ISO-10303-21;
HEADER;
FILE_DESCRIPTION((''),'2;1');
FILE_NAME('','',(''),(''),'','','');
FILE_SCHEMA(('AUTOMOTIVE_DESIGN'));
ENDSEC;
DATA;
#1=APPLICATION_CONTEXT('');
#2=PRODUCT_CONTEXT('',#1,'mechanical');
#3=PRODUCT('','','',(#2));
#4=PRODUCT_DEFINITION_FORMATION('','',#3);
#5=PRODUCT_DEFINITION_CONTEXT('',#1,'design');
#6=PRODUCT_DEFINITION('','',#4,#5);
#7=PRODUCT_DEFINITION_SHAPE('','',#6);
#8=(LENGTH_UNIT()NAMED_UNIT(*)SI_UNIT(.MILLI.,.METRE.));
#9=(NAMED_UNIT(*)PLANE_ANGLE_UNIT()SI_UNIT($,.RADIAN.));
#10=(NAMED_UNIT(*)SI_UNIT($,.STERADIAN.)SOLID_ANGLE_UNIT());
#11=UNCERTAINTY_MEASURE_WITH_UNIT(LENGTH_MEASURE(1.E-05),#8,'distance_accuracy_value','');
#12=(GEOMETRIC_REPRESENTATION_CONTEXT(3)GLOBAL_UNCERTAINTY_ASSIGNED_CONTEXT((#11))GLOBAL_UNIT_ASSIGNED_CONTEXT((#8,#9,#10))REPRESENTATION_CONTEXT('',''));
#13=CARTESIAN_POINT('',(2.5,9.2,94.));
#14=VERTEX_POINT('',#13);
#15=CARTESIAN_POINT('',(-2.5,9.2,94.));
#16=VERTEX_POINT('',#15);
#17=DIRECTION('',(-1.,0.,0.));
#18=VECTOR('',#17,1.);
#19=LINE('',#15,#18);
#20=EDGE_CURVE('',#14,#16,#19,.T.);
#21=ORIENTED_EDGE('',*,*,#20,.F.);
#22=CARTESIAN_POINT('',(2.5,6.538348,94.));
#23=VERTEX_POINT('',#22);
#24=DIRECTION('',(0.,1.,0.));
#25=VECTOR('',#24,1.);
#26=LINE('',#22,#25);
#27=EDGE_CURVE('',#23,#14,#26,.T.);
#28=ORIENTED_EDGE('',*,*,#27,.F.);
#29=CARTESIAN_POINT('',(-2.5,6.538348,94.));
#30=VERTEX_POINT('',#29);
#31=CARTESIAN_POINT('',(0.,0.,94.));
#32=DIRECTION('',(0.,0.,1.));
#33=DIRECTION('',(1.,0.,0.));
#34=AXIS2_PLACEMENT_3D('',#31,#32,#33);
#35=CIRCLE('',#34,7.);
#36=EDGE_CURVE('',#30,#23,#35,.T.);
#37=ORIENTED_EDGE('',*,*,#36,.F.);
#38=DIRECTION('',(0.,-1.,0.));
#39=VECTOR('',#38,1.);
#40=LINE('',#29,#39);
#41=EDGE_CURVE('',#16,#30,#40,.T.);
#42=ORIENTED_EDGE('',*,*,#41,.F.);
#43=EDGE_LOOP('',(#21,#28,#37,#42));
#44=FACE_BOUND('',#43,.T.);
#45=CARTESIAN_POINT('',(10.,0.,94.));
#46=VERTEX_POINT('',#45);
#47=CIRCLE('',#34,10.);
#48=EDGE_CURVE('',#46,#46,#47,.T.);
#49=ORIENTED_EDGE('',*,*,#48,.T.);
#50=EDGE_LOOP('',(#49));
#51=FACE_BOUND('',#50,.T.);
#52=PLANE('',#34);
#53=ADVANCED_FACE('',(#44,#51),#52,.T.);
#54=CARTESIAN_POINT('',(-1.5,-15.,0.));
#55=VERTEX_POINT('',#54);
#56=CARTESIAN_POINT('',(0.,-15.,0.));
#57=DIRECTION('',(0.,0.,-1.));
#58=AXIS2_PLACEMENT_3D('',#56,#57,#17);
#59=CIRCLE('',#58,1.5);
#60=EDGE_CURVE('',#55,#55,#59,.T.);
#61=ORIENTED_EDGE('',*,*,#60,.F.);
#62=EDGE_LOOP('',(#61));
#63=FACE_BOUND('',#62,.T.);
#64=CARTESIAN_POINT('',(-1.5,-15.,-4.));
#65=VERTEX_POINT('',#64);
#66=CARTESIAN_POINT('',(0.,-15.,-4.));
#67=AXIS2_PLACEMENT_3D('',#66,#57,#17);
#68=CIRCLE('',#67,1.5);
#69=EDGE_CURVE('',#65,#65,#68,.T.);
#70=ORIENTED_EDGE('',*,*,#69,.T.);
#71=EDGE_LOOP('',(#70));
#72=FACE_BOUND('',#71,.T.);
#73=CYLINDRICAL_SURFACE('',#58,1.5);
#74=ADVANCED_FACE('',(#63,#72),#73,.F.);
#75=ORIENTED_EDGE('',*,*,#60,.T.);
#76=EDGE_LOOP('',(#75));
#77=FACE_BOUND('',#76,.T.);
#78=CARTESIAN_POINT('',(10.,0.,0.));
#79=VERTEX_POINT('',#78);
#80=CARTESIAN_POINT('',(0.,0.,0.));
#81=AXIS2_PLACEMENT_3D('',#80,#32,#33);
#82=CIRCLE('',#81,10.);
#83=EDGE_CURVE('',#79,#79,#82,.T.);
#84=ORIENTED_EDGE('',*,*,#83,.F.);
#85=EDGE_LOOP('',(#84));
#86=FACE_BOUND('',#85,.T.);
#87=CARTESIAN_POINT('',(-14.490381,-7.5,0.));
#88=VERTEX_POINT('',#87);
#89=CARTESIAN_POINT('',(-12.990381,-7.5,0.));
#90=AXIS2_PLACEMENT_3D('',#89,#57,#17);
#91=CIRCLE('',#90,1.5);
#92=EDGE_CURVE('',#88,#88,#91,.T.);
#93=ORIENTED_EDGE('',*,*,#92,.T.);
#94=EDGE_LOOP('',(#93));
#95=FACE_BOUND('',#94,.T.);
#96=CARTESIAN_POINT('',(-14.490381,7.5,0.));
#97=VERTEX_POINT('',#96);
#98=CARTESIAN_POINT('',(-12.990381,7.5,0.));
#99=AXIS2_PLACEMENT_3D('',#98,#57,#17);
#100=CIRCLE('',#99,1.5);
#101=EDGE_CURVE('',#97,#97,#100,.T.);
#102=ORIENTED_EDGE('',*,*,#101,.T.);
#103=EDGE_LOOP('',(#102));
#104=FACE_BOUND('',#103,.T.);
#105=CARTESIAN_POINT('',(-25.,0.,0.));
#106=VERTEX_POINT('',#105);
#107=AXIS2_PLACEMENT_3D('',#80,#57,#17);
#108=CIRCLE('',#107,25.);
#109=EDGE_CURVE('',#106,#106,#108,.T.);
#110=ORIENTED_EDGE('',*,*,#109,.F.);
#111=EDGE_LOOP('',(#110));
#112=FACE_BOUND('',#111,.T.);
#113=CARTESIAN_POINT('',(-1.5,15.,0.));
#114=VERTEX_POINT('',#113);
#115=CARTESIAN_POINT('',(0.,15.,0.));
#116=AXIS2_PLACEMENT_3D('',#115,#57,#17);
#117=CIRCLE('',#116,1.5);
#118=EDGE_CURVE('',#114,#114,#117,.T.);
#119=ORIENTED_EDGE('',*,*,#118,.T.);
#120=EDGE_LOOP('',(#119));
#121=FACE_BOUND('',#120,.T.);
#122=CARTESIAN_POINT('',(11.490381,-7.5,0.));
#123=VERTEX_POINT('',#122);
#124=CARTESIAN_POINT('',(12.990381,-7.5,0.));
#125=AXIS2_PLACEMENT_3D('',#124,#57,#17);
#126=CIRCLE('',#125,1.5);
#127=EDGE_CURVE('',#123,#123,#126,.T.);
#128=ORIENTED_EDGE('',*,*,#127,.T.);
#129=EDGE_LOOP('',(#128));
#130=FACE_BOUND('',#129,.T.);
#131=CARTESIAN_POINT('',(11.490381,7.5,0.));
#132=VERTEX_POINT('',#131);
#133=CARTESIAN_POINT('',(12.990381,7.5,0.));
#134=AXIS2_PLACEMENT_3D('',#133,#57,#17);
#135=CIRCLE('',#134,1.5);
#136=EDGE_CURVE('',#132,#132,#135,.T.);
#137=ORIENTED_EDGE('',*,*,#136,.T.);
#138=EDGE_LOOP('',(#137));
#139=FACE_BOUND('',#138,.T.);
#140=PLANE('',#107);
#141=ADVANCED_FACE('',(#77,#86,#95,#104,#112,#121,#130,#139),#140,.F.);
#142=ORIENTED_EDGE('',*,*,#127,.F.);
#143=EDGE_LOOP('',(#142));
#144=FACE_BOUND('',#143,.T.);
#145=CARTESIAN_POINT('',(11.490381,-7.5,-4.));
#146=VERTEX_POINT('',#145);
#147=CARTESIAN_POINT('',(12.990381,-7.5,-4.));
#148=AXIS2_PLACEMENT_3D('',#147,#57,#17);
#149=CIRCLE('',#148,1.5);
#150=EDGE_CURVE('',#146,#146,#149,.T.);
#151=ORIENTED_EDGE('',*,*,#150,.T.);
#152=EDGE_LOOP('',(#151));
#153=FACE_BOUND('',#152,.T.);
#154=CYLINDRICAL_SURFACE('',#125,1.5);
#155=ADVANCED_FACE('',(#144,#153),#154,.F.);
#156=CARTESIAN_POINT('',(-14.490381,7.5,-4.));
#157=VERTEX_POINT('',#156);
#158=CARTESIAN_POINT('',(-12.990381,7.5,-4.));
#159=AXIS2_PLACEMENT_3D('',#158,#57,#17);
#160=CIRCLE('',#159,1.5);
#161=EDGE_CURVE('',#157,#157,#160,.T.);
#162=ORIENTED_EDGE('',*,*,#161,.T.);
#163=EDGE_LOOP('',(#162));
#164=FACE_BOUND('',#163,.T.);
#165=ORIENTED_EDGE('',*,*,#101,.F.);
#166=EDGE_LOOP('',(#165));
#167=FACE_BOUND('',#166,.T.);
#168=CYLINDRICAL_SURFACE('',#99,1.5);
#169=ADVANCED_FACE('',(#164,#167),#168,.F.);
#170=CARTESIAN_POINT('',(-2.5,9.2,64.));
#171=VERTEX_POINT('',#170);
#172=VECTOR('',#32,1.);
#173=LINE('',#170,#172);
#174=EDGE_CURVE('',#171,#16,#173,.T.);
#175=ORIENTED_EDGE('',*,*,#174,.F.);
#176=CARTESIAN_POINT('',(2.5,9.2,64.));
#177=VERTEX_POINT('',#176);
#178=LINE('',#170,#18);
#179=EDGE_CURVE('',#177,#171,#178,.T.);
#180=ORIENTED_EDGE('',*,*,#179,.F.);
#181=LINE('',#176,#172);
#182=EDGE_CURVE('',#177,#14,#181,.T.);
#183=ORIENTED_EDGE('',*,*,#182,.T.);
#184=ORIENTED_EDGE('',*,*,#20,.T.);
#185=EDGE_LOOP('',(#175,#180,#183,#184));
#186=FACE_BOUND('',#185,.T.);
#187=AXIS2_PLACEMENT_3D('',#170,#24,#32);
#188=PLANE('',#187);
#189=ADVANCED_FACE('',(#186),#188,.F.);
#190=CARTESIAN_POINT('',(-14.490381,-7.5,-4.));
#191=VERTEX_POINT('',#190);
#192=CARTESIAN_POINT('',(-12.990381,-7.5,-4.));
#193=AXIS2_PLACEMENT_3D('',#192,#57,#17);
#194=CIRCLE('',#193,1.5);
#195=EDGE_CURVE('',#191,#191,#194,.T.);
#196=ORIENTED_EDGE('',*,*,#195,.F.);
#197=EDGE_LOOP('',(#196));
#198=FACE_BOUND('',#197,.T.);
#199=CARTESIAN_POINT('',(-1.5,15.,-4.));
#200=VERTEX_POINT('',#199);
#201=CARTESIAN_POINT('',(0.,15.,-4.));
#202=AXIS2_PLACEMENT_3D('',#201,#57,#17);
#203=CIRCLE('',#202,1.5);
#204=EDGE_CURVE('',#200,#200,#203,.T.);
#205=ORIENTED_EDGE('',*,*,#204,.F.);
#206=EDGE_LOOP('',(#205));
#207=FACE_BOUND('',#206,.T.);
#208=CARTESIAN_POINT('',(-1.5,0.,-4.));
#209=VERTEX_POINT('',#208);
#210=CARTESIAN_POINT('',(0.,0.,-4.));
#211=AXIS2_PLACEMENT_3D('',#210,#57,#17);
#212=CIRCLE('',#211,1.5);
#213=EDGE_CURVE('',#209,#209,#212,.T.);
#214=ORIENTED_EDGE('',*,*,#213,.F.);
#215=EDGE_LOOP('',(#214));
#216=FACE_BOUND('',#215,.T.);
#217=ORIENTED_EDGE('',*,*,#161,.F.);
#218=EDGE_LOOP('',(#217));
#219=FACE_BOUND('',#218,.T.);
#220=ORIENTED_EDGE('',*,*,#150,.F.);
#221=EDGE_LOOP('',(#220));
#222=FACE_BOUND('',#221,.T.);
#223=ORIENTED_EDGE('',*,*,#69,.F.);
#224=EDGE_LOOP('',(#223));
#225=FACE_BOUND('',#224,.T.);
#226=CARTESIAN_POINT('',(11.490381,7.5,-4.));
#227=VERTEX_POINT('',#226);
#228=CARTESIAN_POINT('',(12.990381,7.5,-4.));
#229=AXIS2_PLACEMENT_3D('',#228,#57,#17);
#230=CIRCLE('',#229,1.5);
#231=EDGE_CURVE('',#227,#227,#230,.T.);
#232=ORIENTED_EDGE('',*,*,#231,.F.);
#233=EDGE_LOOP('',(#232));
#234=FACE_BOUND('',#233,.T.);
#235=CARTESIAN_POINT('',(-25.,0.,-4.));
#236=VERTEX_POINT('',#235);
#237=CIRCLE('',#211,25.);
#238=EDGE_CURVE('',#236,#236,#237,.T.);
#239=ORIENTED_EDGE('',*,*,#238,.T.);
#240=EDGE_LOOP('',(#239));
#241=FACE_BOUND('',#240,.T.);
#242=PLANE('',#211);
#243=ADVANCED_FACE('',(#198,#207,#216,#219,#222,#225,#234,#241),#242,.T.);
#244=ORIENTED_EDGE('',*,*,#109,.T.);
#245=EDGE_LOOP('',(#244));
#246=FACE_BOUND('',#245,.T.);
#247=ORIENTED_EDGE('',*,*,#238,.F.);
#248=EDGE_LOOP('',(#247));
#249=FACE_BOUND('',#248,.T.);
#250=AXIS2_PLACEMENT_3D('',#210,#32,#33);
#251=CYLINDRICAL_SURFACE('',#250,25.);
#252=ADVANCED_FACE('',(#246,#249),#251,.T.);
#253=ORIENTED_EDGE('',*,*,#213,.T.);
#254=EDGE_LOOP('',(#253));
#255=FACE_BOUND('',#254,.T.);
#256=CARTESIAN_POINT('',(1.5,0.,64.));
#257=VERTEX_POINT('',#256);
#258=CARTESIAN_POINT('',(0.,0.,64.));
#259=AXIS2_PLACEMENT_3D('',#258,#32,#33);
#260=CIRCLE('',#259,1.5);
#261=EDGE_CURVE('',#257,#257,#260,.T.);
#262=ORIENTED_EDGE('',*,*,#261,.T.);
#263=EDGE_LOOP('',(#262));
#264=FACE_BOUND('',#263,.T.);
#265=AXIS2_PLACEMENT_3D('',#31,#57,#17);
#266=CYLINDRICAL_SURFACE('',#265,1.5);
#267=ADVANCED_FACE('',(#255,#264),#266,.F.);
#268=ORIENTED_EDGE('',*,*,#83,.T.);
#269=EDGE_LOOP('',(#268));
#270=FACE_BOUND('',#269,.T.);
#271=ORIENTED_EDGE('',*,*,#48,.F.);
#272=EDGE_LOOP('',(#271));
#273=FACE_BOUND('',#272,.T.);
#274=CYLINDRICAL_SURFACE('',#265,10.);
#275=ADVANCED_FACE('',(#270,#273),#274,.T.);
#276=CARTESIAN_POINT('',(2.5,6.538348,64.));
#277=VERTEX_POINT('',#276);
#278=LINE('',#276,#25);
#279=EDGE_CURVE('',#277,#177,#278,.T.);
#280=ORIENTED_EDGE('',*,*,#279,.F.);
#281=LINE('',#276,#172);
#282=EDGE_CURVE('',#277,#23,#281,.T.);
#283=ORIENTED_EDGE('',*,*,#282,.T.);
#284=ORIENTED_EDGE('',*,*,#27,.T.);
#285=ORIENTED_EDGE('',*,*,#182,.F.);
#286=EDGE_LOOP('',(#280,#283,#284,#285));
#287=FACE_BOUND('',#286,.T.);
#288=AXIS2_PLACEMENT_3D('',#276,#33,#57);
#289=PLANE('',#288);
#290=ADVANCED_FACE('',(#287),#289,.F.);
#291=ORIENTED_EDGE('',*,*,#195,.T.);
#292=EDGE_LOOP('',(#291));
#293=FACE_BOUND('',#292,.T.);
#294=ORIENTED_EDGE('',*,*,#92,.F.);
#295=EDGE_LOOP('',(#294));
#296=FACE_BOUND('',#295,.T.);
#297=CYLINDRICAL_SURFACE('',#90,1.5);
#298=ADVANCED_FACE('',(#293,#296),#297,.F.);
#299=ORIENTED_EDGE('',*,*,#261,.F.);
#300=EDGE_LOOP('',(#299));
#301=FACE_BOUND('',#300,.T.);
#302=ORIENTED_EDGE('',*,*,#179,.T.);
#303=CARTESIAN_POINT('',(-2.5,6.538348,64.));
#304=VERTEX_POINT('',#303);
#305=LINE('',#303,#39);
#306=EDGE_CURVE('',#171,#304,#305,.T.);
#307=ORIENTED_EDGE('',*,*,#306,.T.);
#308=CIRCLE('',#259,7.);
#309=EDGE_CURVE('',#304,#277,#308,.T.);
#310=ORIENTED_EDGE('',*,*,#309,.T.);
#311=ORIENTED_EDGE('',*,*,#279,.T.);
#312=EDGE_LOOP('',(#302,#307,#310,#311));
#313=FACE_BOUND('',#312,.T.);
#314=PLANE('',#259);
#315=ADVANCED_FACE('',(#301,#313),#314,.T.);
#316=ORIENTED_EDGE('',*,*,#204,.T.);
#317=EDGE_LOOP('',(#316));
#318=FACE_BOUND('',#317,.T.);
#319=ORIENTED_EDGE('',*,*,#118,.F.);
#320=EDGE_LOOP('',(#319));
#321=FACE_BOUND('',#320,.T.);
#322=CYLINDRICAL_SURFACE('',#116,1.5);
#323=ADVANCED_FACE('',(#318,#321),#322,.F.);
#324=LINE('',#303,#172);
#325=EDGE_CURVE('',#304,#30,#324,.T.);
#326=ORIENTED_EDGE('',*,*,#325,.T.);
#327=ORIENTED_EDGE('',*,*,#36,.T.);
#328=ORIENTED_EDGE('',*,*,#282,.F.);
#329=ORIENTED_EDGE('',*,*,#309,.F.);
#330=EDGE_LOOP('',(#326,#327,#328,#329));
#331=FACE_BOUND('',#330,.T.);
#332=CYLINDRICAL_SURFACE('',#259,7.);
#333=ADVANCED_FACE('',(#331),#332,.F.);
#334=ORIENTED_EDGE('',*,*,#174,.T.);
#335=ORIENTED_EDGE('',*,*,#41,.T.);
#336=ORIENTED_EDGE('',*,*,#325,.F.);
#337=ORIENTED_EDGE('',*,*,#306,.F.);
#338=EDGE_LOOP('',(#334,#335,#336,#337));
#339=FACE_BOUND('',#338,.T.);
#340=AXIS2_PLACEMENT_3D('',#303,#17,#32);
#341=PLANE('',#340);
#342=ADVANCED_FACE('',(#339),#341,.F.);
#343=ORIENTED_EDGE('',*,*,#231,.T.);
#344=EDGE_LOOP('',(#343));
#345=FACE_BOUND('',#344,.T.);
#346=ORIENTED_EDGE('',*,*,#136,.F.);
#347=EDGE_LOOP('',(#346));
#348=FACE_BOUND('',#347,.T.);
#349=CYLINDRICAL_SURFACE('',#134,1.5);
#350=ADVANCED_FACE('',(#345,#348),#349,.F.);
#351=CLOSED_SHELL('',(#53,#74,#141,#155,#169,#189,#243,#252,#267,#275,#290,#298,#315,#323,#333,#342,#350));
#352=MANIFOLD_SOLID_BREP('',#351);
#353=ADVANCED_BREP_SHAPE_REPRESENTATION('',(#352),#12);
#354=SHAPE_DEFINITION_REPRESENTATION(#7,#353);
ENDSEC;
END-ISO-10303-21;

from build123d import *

# Parameters (mm, degrees)
SKETCH_1_R          = 10
EXTRUDE_1_DEPTH     = 94
CUT_EXTRUDE_1_DEPTH = 30
SKETCH_3_R          = 1.5
CUT_EXTRUDE_2_DEPTH = 95
SKETCH_4_R          = 25
SKETCH_4_R_2        = 1.5
EXTRUDE_2_DEPTH     = 4
SKETCH_5_R          = 1.5
CUT_EXTRUDE_5_DEPTH = 4


with BuildPart() as part:
    # 草图1 → 凸台-拉伸1 (new body)
    with BuildSketch(Plane.XY):
        Circle(SKETCH_1_R)
    extrude(amount=EXTRUDE_1_DEPTH)

    # 草图2 → 切除-拉伸1 (cut)
    with BuildSketch(Plane.XY.offset(94)):
        with BuildLine():
            Line((-2.5, 6.538348415), (-2.5, 9.2))
            Line((-2.5, 9.2), (2.5, 9.2))
            Line((2.5, 9.2), (2.5, 6.538348415))
            ThreePointArc((2.5, 6.538348415), (0, -7), (-2.5, 6.538348415))
        make_face()
    extrude(amount=-CUT_EXTRUDE_1_DEPTH, mode=Mode.SUBTRACT)

    # 草图3 → 切除-拉伸2 (cut, through all)
    with BuildSketch(Plane(origin=(0, 0, 0), x_dir=(-1, 0, 0), z_dir=(0, 0, -1))):
        Circle(SKETCH_3_R)
    extrude(amount=-CUT_EXTRUDE_2_DEPTH, mode=Mode.SUBTRACT)

    # 草图4 → 凸台-拉伸2 (add)
    with BuildSketch(Plane(origin=(0, 0, 0), x_dir=(-1, 0, 0), z_dir=(0, 0, -1))):
        Circle(SKETCH_4_R)
        Circle(SKETCH_4_R_2, mode=Mode.SUBTRACT)
    extrude(amount=EXTRUDE_2_DEPTH)

    # 草图5 → 切除-拉伸5 (cut)
    with BuildSketch(Plane(origin=(0, 0, -4), x_dir=(-1, 0, 0), z_dir=(0, 0, -1))):
        with Locations((0, 15)):
            Circle(SKETCH_5_R)
        with Locations((12.990381057, 7.5)):
            Circle(SKETCH_5_R)
        with Locations((12.990381057, -7.5)):
            Circle(SKETCH_5_R)
        with Locations((0, -15)):
            Circle(SKETCH_5_R)
        with Locations((-12.990381057, -7.5)):
            Circle(SKETCH_5_R)
        with Locations((-12.990381057, 7.5)):
            Circle(SKETCH_5_R)
    extrude(amount=-CUT_EXTRUDE_5_DEPTH, mode=Mode.SUBTRACT)


solid = part.part
